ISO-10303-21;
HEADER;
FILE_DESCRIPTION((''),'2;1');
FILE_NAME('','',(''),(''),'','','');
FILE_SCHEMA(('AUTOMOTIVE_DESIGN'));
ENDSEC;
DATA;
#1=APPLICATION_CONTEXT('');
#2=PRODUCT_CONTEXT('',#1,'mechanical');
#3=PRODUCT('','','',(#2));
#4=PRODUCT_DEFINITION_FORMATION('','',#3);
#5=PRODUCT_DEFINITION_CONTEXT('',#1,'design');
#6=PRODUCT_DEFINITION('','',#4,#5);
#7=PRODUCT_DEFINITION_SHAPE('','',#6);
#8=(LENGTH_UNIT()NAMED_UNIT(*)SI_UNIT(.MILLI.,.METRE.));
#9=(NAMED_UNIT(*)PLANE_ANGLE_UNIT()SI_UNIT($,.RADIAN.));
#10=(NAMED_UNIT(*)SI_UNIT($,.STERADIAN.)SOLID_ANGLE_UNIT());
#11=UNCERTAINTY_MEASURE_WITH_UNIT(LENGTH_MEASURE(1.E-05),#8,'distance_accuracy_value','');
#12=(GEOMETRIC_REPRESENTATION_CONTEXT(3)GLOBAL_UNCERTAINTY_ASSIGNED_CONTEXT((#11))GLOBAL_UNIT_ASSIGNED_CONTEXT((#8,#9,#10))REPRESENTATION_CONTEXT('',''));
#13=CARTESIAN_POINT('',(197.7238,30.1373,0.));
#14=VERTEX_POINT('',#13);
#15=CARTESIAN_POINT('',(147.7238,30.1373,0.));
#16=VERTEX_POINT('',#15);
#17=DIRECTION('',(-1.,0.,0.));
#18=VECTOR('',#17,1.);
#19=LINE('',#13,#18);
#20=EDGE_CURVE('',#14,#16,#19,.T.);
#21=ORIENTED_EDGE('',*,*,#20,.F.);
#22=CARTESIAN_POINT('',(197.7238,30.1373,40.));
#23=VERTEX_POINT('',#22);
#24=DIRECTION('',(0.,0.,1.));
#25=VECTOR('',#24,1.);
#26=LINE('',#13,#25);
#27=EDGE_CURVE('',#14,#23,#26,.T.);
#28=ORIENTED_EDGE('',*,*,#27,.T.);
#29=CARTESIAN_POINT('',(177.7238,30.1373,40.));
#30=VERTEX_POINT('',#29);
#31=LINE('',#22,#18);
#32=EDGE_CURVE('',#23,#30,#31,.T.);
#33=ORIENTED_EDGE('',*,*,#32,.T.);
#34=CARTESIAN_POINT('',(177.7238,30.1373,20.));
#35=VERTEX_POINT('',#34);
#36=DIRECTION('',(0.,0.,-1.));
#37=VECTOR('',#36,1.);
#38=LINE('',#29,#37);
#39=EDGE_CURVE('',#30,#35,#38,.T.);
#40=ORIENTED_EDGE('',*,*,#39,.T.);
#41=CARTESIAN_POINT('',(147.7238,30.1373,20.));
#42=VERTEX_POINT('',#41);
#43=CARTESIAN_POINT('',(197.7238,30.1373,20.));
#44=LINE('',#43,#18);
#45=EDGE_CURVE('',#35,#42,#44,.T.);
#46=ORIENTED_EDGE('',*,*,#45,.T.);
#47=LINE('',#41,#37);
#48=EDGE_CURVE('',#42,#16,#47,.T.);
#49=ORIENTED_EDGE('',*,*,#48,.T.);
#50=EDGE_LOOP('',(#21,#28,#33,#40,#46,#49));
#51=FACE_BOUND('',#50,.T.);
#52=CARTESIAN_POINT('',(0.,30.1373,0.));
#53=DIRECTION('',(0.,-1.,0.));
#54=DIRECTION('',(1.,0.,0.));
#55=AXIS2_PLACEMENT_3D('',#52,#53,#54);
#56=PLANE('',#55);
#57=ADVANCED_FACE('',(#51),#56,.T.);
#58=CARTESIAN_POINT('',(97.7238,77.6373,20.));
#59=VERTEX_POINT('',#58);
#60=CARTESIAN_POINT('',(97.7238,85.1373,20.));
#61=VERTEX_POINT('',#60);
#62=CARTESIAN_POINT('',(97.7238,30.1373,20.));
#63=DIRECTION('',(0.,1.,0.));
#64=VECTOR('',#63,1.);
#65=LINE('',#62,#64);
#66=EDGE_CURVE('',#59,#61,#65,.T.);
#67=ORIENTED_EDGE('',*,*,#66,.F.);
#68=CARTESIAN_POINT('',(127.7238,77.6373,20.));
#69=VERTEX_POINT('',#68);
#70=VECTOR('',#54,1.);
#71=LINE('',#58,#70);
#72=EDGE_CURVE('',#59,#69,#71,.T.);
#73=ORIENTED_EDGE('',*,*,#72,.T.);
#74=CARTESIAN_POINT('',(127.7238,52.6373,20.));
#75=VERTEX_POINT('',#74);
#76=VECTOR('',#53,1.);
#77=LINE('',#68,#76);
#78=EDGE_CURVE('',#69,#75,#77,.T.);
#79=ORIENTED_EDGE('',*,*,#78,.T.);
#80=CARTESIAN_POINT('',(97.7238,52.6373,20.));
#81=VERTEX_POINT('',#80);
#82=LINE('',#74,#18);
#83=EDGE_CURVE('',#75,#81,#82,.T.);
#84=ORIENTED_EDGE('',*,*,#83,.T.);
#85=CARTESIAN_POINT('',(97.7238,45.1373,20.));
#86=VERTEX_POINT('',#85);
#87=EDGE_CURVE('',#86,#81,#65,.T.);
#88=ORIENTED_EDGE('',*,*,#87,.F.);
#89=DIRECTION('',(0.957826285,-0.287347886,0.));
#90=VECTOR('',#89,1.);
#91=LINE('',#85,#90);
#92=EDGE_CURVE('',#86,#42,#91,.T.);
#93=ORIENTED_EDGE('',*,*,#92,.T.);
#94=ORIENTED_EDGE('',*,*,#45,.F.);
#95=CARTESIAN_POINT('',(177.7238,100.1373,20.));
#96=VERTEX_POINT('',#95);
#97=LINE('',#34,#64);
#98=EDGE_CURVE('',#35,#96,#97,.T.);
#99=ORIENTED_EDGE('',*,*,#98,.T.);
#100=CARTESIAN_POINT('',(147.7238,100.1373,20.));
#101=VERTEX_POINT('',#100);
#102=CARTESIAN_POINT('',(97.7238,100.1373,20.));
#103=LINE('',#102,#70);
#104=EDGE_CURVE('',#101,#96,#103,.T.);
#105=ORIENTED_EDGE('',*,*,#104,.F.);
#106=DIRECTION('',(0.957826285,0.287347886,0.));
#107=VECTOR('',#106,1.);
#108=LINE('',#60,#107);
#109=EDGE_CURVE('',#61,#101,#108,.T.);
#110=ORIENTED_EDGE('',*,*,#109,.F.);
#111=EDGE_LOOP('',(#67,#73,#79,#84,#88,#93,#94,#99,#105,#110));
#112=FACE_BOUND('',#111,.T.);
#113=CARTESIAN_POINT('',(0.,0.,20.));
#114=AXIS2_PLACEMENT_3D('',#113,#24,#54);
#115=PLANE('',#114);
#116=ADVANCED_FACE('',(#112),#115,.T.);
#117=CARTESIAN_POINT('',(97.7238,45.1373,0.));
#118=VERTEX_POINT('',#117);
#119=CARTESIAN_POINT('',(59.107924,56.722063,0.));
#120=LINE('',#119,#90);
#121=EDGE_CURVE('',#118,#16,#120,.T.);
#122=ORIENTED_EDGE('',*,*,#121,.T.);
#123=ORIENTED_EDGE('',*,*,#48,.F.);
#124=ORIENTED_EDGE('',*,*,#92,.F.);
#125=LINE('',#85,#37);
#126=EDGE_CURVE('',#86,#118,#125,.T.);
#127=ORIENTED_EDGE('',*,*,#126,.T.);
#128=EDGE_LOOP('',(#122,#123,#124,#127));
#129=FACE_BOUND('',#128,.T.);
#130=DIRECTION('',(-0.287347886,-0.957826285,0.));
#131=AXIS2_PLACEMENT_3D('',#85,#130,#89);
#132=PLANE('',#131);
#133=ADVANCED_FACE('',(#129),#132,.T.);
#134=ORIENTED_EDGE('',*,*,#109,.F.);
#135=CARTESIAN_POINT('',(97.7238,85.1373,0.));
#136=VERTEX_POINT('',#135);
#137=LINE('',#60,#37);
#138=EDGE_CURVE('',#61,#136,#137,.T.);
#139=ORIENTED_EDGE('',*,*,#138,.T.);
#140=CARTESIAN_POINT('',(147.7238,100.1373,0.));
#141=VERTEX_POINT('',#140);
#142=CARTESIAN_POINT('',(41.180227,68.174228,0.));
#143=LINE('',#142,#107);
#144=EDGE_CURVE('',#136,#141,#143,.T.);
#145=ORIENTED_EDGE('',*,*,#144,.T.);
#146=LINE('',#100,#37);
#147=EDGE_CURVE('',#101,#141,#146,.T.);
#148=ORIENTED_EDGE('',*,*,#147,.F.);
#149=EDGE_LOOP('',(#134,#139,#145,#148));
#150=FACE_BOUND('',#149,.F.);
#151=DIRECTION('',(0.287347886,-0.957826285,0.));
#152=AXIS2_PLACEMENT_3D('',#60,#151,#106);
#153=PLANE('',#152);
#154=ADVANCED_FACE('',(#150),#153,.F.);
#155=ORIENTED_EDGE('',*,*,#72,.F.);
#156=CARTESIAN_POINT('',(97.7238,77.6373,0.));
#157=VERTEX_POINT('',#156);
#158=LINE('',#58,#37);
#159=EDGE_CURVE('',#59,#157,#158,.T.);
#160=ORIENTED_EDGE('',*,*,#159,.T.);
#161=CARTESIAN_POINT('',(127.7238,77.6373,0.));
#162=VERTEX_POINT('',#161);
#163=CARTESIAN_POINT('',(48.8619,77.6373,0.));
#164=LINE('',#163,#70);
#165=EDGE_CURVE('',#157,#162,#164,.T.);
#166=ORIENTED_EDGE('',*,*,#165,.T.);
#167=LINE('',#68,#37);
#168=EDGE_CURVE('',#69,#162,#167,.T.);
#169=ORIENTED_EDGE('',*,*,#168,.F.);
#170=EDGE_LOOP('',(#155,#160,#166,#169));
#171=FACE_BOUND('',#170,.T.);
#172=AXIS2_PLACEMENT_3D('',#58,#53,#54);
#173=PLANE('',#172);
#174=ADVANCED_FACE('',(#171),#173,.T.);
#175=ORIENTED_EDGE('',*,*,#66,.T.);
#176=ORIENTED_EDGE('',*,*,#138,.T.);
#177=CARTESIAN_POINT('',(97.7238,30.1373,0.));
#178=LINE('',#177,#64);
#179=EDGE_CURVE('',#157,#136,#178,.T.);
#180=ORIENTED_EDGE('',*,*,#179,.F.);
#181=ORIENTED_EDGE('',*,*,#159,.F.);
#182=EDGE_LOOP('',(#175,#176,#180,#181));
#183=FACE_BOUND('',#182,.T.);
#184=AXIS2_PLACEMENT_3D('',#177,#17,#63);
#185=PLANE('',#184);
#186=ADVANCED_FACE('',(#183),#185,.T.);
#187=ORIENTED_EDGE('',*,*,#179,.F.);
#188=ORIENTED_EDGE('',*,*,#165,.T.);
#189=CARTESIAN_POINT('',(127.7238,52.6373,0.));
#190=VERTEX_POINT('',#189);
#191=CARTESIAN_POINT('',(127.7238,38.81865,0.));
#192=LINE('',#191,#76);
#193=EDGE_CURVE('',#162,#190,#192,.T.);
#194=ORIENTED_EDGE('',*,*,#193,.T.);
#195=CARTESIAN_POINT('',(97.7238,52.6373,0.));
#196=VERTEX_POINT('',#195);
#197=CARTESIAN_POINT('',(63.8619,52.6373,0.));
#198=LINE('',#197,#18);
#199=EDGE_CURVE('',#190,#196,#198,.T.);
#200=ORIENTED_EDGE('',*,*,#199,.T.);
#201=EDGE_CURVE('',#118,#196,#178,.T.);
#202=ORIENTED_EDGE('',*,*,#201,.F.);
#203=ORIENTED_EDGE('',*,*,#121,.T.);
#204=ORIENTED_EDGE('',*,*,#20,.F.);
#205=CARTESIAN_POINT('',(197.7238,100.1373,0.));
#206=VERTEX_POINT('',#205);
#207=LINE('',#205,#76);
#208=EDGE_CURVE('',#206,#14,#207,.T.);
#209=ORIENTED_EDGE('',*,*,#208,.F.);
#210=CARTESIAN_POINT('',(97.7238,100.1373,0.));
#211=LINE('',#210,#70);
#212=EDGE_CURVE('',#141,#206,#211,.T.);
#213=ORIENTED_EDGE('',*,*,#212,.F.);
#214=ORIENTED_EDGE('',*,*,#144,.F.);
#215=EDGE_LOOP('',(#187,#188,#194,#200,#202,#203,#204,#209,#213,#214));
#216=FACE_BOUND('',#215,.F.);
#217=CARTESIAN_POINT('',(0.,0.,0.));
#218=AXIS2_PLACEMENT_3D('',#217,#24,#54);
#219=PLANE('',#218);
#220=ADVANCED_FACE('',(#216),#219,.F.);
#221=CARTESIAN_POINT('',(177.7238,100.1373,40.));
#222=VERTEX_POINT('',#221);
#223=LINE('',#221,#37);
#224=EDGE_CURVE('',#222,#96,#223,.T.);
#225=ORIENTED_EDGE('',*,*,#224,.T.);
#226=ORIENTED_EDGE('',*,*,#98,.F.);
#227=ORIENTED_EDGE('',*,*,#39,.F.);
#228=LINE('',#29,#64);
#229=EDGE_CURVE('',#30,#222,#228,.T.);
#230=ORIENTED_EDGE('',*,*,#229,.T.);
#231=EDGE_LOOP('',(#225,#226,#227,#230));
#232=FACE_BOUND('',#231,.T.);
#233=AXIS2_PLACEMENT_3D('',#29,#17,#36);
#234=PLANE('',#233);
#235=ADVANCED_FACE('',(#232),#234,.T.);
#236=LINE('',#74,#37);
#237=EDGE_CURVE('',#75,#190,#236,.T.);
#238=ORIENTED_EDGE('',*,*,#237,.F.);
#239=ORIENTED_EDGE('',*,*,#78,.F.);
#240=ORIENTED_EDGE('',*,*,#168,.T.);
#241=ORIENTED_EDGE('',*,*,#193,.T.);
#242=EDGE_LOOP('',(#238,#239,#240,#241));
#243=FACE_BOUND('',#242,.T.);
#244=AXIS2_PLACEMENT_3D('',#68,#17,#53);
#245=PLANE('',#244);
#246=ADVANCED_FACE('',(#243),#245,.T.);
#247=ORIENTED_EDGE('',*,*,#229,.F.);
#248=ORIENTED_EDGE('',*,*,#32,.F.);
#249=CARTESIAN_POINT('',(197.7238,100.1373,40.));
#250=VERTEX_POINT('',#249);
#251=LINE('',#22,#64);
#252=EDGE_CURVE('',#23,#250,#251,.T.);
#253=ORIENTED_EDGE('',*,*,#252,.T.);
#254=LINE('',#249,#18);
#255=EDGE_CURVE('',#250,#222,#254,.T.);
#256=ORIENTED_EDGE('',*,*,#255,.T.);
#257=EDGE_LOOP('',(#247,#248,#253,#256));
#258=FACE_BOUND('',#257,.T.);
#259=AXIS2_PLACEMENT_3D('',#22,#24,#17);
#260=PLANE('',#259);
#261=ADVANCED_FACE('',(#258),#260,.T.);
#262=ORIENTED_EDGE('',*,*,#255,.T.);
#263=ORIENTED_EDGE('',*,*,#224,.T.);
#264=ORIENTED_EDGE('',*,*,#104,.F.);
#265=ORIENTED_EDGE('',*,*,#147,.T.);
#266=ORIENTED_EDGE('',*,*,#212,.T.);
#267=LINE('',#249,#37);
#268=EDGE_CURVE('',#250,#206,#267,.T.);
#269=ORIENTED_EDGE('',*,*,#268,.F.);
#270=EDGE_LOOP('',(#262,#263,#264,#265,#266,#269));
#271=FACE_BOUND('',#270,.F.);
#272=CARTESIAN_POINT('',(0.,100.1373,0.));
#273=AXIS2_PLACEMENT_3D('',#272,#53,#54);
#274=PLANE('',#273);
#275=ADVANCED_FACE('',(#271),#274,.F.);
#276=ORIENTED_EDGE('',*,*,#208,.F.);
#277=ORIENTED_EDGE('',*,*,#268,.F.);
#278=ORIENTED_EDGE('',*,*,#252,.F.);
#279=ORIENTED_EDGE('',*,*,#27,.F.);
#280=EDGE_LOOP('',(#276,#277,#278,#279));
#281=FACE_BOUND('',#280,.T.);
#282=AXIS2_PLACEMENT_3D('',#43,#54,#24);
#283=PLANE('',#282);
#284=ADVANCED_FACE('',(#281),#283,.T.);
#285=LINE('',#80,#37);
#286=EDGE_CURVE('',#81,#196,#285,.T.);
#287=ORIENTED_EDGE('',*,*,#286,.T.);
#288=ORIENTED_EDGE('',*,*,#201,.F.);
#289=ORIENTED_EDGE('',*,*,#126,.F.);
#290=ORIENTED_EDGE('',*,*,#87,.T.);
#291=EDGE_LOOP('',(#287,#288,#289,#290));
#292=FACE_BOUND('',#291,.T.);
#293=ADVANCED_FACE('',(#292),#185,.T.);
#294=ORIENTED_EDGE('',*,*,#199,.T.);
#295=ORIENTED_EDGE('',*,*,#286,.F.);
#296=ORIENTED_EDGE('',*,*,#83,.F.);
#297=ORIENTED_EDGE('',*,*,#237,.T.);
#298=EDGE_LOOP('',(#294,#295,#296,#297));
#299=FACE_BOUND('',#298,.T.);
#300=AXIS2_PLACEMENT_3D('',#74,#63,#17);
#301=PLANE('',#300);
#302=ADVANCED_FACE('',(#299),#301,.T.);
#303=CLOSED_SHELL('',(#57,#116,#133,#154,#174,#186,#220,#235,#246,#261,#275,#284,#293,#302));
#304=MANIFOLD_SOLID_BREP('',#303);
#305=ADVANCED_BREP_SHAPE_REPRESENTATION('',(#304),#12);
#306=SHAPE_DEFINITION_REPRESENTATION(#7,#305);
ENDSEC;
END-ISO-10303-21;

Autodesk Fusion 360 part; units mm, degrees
sketch "Sketch1" plane through (0, 0, 0) normal (0, 0, 1) x (1, 0, 0)
  line L0 (97.7238, 100.1373) -> (197.7238, 100.1373)
  line L1 (197.7238, 100.1373) -> (197.7238, 30.1373)
  line L2 (197.7238, 30.1373) -> (97.7238, 30.1373)
  line L3 (97.7238, 30.1373) -> (97.7238, 100.1373)
  dimension "d1" = 70
  dimension "d2" = 100
extrude "Extrude1" add sketch "Sketch1" along normal blind 20
sketch "Sketch2" plane through (0, 0, 20) normal (0, 0, 1) x (-1, 0, 0)
  line L0 (-97.7238, -30.1373) -> (-197.7238, -30.1373)
  line L1 (-197.7238, -30.1373) -> (-197.7238, -100.1373)
  line L2 (-197.7238, -100.1373) -> (-97.7238, -100.1373)
  line L3 (-97.7238, -100.1373) -> (-97.7238, -30.1373)
  line L4 (-97.7238, -77.6373) -> (-127.7238, -77.6373)
  line L5 (-127.7238, -77.6373) -> (-127.7238, -52.6373)
  line L6 (-127.7238, -52.6373) -> (-97.7238, -52.6373)
  dimension "d5" = 22.5
  dimension "d6" = 22.5
  dimension "d7" = 25
  dimension "d8" = 30
  dimension "d9" = 25
extrude "Extrude2" cut sketch "Sketch2" against normal blind 27.453 contours L3 L4 L5 L6
sketch "Sketch3" plane through (0, 0, 20) normal (0, 0, 1) x (-1, 0, 0)
  line L0 (-127.7238, -52.6373) -> (-97.7238, -52.6373)
  line L1 (-97.7238, -52.6373) -> (-97.7238, -30.1373)
  line L2 (-97.7238, -30.1373) -> (-197.7238, -30.1373)
  line L3 (-197.7238, -30.1373) -> (-197.7238, -100.1373)
  line L4 (-197.7238, -100.1373) -> (-97.7238, -100.1373)
  line L5 (-97.7238, -100.1373) -> (-97.7238, -77.6373)
  line L6 (-97.7238, -77.6373) -> (-127.7238, -77.6373)
  line L7 (-127.7238, -77.6373) -> (-127.7238, -52.6373)
  line L8 (-97.7238, -52.6373) -> (-97.7238, -45.1373)
  line L9 (-97.7238, -77.6373) -> (-97.7238, -85.1373)
  line L10 (-147.7238, -30.1373) -> (-147.7238, -100.1373)
  line L11 (-97.7238, -85.1373) -> (-147.7238, -100.1373)
  line L12 (-97.7238, -45.1373) -> (-147.7238, -30.1373)
  dimension "d12" = 7.5
  dimension "d13" = 7.5
extrude "Extrude3" cut sketch "Sketch3" against normal blind 62.472 contours L1 L2 L12
extrude "Extrude4" cut sketch "Sketch3" against normal blind 73.462 contours L4 L5 L11
sketch "Sketch4" plane through (0, 30.1373, 0) normal (0, -1, 0) x (1, 0, 0)
  line L0 (147.7238, 20) -> (147.7238, 0)
  line L1 (147.7238, 0) -> (197.7238, 0)
  line L2 (197.7238, 0) -> (197.7238, 20)
  line L3 (197.7238, 20) -> (147.7238, 20)
  line L4 (197.7238, 20) -> (197.7238, 40)
  line L5 (197.7238, 40) -> (177.7238, 40)
  line L6 (177.7238, 40) -> (177.7238, 20)
  dimension "d18" = 20
  dimension "d19" = 20
extrude "Extrude5" add sketch "Sketch4" against normal blind 70 contours L3 L4 L5 L6
